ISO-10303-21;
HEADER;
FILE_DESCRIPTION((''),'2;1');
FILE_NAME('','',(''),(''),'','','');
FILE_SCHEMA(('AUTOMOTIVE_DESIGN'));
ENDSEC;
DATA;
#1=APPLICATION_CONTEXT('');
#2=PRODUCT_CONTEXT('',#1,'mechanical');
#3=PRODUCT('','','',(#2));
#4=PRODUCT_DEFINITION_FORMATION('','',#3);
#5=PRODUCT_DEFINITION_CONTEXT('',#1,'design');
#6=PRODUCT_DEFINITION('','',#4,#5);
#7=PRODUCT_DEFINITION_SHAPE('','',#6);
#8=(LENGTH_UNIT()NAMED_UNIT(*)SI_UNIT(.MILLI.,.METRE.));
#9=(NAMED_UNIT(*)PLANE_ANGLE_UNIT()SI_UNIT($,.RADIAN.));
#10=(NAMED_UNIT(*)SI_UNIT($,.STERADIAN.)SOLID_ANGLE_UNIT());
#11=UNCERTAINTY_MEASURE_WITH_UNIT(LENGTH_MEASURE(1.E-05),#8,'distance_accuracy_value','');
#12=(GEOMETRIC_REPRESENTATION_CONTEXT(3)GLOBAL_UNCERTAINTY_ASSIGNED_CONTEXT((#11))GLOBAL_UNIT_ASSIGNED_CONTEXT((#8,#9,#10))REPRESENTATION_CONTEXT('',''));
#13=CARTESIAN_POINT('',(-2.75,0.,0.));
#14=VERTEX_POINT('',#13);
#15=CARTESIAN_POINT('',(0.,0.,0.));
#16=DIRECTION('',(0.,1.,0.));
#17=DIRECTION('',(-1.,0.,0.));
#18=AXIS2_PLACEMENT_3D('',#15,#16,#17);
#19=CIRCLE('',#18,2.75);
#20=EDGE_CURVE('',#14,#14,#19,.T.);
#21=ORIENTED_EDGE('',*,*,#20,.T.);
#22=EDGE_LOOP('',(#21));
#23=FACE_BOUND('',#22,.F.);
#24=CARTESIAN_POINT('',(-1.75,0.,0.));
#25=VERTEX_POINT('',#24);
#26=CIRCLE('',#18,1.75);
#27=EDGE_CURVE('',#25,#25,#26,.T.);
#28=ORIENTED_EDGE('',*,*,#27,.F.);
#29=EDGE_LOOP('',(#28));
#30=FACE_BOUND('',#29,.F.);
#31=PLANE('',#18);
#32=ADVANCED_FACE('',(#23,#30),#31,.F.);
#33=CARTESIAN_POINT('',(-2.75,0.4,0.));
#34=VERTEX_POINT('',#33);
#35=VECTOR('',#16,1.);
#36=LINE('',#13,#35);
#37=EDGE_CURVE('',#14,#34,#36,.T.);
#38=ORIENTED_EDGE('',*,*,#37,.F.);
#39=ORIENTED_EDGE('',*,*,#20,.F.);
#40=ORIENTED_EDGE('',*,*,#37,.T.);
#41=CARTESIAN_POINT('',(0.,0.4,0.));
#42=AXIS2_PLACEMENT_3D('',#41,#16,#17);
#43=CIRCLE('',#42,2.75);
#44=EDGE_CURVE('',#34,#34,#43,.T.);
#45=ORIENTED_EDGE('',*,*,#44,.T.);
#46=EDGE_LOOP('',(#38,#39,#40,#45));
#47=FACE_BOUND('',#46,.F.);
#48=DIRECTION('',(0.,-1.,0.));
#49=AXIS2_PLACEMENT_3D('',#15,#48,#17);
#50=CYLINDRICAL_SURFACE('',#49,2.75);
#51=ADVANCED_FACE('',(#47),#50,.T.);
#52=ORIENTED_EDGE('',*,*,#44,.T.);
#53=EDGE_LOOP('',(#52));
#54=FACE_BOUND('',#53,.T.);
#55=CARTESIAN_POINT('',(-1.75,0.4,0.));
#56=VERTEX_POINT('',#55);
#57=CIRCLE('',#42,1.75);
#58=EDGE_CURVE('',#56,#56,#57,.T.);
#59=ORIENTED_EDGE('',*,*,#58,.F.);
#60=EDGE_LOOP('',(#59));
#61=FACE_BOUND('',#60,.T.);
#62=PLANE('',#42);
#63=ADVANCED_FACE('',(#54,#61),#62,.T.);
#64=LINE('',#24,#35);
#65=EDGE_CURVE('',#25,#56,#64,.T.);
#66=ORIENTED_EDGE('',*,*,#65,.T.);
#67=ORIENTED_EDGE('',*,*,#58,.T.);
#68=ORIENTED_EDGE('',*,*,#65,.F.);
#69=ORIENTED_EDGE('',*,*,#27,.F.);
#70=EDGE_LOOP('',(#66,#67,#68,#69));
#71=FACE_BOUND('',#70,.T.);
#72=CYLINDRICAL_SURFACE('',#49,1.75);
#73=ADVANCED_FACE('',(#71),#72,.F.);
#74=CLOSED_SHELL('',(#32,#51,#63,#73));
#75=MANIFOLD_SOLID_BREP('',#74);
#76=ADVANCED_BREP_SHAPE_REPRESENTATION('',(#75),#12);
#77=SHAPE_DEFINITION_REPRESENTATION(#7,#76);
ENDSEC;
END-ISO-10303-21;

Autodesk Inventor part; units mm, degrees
ref_plane "YZ Plane" through (0, 0, 0) normal (1, 0, 0) x (0, 1, 0)
ref_plane "XZ Plane" through (0, 0, 0) normal (0, 1, 0) x (-1, 0, 0)
ref_plane "XY Plane" through (0, 0, 0) normal (0, 0, 1) x (1, 0, 0)
sketch "Sketch1" plane through (0, 0, 0) normal (0, 1, 0) x (-1, 0, 0)
  circle A0 centre (0, 0) radius 1.75
  circle A1 centre (0, 0) radius 2.75
  dimension "d0" = 3.5
  dimension "d4" = 1
extrude "Extrusion1" add sketch "Sketch1" along normal blind 0.4
properties part number "m3_shim"
